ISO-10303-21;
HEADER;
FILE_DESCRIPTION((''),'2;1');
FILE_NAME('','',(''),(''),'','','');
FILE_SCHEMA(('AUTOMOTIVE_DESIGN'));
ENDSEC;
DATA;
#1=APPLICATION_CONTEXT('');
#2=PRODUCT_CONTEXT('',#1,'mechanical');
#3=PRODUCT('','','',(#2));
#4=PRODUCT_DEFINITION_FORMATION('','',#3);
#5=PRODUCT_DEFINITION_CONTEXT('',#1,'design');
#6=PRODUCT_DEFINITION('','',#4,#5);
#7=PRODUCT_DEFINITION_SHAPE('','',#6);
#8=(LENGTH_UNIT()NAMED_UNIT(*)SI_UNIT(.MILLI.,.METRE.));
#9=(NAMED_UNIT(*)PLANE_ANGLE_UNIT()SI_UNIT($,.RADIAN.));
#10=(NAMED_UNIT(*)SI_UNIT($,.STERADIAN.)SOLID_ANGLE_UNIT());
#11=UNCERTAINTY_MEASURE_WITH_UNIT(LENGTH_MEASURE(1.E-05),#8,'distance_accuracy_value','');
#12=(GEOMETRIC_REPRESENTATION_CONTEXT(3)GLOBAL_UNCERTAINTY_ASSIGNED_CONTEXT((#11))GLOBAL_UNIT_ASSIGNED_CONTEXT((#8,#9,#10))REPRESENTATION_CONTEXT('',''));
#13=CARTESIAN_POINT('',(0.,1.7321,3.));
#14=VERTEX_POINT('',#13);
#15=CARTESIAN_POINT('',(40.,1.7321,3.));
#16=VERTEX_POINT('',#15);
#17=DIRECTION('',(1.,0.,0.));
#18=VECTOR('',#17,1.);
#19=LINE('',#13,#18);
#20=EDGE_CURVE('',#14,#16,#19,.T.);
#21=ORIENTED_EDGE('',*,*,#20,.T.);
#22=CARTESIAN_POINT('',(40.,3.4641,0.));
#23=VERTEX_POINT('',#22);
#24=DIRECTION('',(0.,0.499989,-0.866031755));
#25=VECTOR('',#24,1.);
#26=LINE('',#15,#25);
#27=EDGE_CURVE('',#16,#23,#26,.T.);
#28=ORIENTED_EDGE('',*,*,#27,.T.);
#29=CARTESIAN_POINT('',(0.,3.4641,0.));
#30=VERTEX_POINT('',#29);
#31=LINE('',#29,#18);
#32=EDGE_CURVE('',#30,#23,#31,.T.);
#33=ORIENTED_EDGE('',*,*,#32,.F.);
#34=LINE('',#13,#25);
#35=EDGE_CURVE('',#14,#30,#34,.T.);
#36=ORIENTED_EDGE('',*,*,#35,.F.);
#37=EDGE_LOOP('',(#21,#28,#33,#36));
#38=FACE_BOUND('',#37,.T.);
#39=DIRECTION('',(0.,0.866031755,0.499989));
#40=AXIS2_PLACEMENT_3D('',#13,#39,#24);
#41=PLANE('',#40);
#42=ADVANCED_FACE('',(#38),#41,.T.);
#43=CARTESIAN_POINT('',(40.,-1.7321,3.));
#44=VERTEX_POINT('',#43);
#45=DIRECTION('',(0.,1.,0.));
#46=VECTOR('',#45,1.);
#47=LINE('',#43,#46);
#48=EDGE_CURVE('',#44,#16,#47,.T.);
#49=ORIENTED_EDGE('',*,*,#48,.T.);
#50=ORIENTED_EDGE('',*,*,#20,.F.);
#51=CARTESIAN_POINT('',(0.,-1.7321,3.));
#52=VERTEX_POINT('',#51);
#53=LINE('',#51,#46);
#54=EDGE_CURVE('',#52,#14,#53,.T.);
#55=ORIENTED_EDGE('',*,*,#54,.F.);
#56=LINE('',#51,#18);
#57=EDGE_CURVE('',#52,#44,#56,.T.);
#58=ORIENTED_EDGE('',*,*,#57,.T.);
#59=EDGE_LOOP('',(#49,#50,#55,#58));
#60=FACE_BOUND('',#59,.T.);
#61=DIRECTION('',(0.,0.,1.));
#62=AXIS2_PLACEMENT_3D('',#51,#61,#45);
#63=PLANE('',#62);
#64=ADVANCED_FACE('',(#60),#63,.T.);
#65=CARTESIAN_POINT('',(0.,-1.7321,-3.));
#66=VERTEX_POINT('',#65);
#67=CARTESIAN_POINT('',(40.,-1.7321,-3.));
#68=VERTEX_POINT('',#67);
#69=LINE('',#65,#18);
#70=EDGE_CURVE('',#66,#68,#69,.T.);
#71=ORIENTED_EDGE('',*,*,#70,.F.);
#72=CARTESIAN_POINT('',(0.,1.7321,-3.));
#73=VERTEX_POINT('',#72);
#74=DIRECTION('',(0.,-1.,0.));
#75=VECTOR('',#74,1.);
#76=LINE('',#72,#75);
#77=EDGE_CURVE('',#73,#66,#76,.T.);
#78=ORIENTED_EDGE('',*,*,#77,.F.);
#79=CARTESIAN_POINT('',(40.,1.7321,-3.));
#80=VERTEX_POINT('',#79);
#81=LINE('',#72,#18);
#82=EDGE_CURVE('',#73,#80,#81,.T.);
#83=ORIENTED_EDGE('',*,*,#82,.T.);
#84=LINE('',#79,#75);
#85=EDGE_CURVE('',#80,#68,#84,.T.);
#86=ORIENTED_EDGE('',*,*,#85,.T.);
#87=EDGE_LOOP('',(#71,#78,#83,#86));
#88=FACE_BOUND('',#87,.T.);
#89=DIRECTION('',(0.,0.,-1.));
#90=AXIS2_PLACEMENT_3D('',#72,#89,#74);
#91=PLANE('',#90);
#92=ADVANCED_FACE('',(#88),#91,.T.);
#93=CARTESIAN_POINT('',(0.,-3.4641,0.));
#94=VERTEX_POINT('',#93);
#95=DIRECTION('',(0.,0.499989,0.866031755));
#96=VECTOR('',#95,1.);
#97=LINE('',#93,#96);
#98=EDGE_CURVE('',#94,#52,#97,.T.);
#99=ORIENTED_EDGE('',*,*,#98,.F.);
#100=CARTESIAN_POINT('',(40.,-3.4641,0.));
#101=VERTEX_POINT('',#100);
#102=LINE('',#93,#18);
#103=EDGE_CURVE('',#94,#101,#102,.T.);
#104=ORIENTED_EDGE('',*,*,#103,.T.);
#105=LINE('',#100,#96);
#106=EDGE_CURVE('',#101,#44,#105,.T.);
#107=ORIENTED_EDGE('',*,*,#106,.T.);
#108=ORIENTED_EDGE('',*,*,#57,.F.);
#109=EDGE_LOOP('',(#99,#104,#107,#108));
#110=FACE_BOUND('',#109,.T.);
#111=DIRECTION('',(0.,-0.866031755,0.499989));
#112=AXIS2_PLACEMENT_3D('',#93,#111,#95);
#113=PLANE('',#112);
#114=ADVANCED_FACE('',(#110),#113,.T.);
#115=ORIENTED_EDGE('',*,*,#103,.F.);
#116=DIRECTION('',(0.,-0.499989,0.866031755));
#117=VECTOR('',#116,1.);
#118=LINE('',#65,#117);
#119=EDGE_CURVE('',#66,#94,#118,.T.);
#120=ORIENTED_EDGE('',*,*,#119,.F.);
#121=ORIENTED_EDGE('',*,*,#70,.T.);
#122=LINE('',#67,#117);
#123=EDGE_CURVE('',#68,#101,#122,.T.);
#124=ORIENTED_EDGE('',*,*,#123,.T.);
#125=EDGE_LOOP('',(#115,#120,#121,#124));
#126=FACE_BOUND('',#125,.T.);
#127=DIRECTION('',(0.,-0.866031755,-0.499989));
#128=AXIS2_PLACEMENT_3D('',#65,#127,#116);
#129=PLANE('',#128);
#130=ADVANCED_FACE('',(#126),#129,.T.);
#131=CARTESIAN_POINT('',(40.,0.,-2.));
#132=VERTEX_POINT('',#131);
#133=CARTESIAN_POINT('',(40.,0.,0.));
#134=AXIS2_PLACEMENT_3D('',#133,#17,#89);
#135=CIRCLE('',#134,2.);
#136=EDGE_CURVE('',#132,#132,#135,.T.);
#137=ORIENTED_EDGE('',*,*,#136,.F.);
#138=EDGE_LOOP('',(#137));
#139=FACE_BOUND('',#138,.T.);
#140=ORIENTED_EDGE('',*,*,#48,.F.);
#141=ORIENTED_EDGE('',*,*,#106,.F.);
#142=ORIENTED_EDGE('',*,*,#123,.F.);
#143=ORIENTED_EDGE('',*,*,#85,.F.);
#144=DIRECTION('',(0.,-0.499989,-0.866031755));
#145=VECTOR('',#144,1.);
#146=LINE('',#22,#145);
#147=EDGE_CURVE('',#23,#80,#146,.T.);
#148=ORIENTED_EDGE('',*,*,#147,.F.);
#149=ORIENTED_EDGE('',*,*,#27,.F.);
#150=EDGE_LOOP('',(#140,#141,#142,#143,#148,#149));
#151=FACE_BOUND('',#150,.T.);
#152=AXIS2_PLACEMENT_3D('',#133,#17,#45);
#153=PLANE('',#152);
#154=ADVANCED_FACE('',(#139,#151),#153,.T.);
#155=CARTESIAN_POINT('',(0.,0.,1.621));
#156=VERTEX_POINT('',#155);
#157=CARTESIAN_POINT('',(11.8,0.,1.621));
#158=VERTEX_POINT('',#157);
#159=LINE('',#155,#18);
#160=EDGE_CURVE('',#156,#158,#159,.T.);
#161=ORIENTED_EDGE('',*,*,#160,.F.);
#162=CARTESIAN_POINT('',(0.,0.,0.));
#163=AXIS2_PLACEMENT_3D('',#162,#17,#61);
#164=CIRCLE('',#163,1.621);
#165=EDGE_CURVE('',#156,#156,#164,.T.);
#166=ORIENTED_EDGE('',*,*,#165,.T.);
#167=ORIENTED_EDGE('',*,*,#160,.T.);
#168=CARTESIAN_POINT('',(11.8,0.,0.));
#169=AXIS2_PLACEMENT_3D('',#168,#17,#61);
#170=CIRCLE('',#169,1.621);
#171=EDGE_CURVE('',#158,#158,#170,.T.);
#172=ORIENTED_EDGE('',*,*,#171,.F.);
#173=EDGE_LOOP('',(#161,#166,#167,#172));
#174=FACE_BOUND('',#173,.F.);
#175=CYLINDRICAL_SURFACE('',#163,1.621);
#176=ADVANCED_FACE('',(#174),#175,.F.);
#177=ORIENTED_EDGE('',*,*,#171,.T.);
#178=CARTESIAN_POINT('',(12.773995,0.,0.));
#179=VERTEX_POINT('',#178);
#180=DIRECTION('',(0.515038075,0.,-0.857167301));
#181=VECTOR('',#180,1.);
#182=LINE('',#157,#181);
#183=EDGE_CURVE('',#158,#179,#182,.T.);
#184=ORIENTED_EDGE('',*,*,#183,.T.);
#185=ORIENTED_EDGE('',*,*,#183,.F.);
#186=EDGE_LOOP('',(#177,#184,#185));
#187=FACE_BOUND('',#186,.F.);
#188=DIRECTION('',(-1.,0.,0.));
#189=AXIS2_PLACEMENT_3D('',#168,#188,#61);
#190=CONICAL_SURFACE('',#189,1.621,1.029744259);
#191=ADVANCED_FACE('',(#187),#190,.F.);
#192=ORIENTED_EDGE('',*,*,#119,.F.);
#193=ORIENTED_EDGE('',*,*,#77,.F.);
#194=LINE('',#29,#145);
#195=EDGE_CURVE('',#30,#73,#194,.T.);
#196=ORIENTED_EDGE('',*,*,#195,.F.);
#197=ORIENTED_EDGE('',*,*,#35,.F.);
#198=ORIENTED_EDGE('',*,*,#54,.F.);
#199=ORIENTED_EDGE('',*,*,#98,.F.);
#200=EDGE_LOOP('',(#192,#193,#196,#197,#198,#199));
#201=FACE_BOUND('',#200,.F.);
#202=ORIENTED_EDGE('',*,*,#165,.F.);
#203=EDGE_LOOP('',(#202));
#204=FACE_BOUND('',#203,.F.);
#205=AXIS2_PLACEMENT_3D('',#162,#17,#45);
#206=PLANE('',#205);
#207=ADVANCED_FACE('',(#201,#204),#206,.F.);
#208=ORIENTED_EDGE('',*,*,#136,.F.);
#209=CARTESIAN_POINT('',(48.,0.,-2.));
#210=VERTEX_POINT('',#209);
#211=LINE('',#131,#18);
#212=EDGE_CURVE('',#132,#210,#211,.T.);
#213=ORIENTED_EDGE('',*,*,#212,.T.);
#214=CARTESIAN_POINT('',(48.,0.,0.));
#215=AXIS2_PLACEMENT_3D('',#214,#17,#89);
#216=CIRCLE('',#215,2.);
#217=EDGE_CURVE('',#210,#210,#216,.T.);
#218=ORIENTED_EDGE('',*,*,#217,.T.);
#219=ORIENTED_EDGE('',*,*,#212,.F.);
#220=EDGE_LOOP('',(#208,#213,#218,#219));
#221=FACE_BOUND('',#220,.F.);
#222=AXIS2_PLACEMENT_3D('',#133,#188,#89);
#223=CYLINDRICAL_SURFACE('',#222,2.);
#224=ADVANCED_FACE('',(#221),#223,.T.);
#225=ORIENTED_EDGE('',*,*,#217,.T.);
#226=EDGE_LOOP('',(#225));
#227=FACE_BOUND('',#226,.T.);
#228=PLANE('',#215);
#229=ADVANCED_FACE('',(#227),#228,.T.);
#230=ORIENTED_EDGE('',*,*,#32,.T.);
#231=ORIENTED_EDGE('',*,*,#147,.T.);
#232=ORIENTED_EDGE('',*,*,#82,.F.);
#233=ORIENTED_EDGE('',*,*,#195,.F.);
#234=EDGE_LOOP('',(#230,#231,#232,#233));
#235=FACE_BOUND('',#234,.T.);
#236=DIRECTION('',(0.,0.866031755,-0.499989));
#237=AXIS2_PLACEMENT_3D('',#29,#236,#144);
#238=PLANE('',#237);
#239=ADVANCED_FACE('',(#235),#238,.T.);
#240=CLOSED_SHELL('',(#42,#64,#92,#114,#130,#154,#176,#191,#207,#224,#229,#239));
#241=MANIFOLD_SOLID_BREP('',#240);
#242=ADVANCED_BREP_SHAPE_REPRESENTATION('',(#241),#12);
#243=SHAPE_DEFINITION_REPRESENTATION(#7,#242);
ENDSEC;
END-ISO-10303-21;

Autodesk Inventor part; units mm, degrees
ref_plane "YZ Plane" through (0, 0, 0) normal (1, 0, 0) x (0, 1, 0)
ref_plane "XZ Plane" through (0, 0, 0) normal (0, 1, 0) x (-1, 0, 0)
ref_plane "XY Plane" through (0, 0, 0) normal (0, 0, 1) x (1, 0, 0)
sketch "スケッチ1" plane through (0, 0, 0) normal (1, 0, 0) x (0, 1, 0)
  line L0 (1.7321, -3) -> (-1.7321, -3)
  line L1 (-1.7321, -3) -> (-3.4641, 0)
  line L2 (-3.4641, 0) -> (-1.7321, 3)
  line L3 (-1.7321, 3) -> (1.7321, 3)
  line L4 (1.7321, 3) -> (3.4641, 0)
  line L5 (3.4641, 0) -> (1.7321, -3)
  point P0 (0, 0)
  point P1 (0, 0)
  dimension "d0" = 6
extrude "押し出し1" add sketch "スケッチ1" along normal blind 40
sketch "スケッチ2" plane through (40, 0, 0) normal (1, 0, 0) x (0, 0, -1)
  circle A0 centre (0, 0) radius 2
  dimension "d3" = 4
extrude "押し出し2" add sketch "スケッチ2" along normal blind 8
thread "ねじ1" size "M4x0.7" class "6g" standard "ANSI Metric M Profile" full length
sketch "スケッチ3" plane through (0, 0, 0) normal (-1, 0, 0) x (0, 0, 1)
  point P0 (0, 0)
  point P1 (0, 0)
hole "穴1" at (0, 0, 0) direction (1, 0, 0) diameter 3.242 depth 11.8 tip angle 118 thread size "M4x0.7" class "6H" standard "ISO Metric profile"
properties part number "Spacer_M3_L15" material "鋼、合金"
